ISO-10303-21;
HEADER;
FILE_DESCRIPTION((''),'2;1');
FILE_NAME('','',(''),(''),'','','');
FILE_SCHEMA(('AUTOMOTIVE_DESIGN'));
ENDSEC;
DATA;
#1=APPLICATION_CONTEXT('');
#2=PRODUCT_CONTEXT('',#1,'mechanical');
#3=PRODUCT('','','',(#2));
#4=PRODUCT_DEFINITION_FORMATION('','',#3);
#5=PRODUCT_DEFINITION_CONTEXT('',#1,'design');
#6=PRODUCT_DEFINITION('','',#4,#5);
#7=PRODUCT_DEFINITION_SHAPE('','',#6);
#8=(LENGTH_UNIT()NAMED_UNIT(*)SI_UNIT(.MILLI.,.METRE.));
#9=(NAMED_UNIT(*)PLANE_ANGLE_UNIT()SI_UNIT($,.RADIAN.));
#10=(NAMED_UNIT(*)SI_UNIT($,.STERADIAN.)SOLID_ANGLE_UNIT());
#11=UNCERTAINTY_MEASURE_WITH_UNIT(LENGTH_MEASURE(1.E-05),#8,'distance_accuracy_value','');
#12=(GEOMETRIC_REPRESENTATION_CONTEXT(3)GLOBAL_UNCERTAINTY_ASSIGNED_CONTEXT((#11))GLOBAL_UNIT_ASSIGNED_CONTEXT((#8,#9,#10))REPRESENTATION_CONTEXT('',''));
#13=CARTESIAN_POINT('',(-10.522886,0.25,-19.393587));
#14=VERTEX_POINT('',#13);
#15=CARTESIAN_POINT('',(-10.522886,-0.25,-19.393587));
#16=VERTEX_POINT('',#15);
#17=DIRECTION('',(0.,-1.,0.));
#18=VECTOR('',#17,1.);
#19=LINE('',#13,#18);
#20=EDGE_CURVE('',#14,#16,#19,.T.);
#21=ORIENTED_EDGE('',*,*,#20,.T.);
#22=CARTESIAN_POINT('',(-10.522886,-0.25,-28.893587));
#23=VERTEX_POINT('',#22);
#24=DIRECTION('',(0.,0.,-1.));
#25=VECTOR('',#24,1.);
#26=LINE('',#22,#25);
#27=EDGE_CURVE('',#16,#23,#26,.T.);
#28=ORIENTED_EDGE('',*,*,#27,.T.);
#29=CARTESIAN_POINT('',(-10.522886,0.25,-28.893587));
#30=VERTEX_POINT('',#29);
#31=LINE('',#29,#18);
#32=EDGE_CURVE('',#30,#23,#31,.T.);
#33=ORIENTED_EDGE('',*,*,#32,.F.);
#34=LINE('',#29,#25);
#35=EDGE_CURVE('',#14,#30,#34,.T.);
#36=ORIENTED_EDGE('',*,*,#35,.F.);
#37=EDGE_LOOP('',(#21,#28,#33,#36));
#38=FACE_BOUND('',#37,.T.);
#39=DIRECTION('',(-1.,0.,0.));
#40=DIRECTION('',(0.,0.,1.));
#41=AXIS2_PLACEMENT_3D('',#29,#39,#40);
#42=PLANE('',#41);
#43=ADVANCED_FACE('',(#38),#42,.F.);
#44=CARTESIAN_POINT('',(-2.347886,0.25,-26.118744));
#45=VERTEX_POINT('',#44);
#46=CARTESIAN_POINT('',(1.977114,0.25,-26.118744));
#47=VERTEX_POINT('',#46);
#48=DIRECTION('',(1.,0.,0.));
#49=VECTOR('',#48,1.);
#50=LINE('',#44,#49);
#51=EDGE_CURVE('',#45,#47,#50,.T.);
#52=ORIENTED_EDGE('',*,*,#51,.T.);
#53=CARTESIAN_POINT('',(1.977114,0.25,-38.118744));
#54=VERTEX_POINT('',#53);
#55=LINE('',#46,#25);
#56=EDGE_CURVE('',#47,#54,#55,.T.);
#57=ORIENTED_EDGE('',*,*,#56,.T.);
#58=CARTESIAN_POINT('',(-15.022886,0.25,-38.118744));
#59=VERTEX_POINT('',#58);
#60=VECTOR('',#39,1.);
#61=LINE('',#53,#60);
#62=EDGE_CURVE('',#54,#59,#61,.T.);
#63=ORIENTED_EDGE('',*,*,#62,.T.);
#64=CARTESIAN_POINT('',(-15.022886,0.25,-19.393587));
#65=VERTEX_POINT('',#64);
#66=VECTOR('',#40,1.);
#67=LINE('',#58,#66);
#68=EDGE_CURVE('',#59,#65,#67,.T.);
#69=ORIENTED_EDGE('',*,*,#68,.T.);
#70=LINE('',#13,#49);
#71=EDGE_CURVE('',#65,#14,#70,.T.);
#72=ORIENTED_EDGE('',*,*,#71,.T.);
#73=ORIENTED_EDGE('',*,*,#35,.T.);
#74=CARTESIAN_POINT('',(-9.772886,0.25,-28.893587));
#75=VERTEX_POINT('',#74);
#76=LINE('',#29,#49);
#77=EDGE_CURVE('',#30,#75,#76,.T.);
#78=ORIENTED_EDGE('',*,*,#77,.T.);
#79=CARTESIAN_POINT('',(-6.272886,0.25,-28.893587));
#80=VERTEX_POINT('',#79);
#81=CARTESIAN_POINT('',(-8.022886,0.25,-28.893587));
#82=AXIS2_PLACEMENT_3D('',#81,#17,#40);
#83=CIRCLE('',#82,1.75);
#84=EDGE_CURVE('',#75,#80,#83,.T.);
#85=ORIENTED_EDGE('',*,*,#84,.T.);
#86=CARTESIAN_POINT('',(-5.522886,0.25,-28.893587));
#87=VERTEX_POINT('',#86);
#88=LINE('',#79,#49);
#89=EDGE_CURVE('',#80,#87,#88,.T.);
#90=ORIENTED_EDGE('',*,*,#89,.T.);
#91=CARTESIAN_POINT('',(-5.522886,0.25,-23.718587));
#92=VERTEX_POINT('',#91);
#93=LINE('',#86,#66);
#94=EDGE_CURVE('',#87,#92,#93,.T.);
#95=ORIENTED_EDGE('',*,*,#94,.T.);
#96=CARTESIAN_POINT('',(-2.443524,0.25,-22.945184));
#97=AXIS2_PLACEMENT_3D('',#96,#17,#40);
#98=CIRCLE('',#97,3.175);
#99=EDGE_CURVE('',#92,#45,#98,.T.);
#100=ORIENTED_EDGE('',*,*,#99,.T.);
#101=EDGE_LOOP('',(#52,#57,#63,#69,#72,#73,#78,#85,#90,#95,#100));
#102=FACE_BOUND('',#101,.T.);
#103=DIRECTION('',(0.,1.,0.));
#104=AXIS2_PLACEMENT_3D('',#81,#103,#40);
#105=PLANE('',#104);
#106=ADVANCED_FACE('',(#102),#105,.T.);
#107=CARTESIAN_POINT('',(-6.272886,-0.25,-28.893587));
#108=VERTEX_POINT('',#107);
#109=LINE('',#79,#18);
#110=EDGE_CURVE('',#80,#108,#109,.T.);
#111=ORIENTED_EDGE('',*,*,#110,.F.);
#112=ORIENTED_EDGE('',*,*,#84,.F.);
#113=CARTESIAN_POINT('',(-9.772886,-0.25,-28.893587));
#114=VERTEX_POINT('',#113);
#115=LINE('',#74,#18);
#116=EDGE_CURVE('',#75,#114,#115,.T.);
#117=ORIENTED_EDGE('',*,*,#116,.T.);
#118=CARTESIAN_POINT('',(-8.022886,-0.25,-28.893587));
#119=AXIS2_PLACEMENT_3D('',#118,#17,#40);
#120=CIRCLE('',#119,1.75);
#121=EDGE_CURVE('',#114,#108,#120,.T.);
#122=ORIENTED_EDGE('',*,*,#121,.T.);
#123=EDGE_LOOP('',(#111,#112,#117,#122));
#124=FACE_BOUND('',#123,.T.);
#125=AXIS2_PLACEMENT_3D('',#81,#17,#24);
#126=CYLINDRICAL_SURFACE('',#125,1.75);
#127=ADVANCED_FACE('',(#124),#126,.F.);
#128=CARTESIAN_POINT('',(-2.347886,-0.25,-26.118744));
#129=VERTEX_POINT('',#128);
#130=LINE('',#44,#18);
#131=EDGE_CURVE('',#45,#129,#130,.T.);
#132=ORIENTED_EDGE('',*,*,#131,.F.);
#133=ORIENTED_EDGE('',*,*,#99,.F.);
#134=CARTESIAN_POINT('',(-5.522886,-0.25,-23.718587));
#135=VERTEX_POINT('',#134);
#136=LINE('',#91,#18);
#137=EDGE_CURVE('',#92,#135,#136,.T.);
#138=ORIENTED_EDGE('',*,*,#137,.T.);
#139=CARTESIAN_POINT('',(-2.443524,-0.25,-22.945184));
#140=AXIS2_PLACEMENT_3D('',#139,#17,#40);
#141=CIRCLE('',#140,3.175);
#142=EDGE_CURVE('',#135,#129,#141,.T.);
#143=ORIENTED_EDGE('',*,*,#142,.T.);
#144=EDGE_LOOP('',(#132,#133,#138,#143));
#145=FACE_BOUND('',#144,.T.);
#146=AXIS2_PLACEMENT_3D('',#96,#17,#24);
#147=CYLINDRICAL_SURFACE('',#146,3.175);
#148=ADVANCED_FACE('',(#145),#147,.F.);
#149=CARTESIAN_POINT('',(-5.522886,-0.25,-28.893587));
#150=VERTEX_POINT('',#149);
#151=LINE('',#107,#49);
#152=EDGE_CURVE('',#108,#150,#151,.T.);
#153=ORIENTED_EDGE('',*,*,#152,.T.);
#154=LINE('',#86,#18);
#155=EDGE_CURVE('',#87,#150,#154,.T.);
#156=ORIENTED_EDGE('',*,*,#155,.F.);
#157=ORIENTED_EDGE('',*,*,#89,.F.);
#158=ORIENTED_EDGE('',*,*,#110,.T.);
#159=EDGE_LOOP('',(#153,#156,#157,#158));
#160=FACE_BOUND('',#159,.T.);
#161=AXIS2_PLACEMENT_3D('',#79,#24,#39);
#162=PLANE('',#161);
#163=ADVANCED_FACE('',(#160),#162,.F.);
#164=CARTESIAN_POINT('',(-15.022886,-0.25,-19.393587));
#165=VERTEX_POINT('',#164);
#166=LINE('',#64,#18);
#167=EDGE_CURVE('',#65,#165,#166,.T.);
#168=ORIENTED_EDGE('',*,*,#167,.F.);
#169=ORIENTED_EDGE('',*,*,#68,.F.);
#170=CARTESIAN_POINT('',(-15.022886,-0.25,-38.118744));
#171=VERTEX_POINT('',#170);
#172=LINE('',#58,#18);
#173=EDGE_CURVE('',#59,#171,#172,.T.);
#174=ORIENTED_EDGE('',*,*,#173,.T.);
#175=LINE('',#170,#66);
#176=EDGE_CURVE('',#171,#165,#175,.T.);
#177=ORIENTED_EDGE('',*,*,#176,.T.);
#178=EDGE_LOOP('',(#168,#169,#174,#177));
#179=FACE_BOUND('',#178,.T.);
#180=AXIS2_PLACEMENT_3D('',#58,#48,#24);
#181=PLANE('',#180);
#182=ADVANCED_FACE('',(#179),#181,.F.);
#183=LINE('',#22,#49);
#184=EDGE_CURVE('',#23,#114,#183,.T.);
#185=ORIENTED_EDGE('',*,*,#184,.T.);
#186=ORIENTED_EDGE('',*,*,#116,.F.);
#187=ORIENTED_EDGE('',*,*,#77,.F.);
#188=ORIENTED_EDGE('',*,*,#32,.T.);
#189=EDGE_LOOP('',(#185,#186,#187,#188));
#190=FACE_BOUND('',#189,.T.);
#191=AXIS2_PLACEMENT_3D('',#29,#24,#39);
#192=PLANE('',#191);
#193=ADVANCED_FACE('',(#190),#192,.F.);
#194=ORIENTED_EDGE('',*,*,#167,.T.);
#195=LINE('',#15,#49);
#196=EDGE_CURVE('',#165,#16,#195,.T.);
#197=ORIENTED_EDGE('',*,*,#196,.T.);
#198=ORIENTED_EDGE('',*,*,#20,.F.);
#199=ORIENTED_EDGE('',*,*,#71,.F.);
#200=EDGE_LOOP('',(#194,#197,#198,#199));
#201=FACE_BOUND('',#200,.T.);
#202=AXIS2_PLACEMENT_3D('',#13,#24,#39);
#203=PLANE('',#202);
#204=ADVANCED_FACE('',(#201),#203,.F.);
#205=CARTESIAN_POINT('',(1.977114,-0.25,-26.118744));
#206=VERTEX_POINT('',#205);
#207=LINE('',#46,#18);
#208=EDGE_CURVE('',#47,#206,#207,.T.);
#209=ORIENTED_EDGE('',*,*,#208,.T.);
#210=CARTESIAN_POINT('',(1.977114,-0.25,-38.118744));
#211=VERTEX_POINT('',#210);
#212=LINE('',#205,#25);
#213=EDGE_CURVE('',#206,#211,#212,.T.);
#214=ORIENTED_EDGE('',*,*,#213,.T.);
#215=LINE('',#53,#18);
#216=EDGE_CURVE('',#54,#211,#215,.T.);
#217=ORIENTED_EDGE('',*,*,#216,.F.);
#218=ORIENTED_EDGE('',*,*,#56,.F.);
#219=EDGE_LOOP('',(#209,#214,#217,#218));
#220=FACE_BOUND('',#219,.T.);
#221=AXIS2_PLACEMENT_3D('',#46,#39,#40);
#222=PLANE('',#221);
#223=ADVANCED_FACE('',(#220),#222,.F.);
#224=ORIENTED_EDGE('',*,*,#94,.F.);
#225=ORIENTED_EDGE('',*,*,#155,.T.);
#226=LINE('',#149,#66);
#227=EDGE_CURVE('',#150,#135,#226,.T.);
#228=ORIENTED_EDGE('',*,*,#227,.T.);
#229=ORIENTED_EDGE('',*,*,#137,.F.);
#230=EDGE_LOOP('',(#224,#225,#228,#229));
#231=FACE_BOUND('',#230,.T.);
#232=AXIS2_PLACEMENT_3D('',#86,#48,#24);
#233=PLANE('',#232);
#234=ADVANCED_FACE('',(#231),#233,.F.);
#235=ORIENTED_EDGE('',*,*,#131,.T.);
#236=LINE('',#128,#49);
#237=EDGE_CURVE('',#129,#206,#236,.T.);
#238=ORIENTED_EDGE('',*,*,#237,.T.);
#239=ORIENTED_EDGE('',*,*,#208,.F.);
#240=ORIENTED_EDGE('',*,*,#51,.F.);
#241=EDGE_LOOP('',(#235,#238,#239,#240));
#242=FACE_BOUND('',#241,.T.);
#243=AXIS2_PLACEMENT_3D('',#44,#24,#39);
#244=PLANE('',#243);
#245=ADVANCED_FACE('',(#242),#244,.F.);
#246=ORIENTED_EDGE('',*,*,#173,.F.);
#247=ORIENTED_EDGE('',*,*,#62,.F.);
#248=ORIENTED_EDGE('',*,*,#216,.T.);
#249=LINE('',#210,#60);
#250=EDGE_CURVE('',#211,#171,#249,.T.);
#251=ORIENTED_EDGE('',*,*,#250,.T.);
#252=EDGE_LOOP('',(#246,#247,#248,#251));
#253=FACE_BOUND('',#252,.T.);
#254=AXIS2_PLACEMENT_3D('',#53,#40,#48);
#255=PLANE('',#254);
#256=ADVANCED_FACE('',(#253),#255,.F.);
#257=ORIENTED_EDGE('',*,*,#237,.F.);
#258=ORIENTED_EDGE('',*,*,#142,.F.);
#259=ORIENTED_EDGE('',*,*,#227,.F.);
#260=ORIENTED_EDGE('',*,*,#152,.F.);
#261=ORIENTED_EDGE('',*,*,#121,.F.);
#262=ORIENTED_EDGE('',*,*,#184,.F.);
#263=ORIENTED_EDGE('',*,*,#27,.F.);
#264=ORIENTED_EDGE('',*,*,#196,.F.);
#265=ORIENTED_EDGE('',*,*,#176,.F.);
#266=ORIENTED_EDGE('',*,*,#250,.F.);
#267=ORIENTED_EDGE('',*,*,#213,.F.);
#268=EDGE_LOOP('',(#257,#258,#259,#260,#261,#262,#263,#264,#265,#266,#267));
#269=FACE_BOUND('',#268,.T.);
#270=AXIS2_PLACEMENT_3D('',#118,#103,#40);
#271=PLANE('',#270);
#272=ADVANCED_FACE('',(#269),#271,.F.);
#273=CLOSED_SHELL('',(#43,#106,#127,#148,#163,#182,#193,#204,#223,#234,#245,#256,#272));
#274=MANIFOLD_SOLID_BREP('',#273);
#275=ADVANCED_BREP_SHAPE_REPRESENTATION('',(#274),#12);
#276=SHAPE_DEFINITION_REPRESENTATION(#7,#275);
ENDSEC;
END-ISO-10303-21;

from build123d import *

# Parameters (mm, degrees)
BOSS_EXTRUDE1_DEPTH = 0.25


with BuildPart() as part:
    # Sketch1 → Boss-Extrude1 (new, symmetric)
    with BuildSketch(Plane(origin=(0, 0, 0), x_dir=(1, 0, 0), z_dir=(0, 1, 0))):
        with BuildLine():
            Line((1.977113733, 26.118743762), (1.977113733, 38.118743762))
            Line((1.977113733, 38.118743762), (-15.022886267, 38.118743762))
            Line((-15.022886267, 38.118743762), (-15.022886267, 19.393587035))
            Line((-15.022886267, 19.393587035), (-10.522886267, 19.393587035))
            Line((-10.522886267, 19.393587035), (-10.522886267, 28.893587035))
            Line((-10.522886267, 28.893587035), (-9.772886267, 28.893587035))
            ThreePointArc((-9.772886267, 28.893587035), (-8.022886267, 30.643587035), (-6.272886267, 28.893587035))
            Line((-6.272886267, 28.893587035), (-5.522886267, 28.893587035))
            Line((-5.522886267, 28.893587035), (-5.522886267, 23.718587035))
            ThreePointArc((-5.522886267, 23.718587035), (-4.358162581, 25.477926708), (-2.347886267, 26.118743762))
            Line((-2.347886267, 26.118743762), (1.977113733, 26.118743762))
        make_face()
    extrude(amount=BOSS_EXTRUDE1_DEPTH, both=True)


solid = part.part
